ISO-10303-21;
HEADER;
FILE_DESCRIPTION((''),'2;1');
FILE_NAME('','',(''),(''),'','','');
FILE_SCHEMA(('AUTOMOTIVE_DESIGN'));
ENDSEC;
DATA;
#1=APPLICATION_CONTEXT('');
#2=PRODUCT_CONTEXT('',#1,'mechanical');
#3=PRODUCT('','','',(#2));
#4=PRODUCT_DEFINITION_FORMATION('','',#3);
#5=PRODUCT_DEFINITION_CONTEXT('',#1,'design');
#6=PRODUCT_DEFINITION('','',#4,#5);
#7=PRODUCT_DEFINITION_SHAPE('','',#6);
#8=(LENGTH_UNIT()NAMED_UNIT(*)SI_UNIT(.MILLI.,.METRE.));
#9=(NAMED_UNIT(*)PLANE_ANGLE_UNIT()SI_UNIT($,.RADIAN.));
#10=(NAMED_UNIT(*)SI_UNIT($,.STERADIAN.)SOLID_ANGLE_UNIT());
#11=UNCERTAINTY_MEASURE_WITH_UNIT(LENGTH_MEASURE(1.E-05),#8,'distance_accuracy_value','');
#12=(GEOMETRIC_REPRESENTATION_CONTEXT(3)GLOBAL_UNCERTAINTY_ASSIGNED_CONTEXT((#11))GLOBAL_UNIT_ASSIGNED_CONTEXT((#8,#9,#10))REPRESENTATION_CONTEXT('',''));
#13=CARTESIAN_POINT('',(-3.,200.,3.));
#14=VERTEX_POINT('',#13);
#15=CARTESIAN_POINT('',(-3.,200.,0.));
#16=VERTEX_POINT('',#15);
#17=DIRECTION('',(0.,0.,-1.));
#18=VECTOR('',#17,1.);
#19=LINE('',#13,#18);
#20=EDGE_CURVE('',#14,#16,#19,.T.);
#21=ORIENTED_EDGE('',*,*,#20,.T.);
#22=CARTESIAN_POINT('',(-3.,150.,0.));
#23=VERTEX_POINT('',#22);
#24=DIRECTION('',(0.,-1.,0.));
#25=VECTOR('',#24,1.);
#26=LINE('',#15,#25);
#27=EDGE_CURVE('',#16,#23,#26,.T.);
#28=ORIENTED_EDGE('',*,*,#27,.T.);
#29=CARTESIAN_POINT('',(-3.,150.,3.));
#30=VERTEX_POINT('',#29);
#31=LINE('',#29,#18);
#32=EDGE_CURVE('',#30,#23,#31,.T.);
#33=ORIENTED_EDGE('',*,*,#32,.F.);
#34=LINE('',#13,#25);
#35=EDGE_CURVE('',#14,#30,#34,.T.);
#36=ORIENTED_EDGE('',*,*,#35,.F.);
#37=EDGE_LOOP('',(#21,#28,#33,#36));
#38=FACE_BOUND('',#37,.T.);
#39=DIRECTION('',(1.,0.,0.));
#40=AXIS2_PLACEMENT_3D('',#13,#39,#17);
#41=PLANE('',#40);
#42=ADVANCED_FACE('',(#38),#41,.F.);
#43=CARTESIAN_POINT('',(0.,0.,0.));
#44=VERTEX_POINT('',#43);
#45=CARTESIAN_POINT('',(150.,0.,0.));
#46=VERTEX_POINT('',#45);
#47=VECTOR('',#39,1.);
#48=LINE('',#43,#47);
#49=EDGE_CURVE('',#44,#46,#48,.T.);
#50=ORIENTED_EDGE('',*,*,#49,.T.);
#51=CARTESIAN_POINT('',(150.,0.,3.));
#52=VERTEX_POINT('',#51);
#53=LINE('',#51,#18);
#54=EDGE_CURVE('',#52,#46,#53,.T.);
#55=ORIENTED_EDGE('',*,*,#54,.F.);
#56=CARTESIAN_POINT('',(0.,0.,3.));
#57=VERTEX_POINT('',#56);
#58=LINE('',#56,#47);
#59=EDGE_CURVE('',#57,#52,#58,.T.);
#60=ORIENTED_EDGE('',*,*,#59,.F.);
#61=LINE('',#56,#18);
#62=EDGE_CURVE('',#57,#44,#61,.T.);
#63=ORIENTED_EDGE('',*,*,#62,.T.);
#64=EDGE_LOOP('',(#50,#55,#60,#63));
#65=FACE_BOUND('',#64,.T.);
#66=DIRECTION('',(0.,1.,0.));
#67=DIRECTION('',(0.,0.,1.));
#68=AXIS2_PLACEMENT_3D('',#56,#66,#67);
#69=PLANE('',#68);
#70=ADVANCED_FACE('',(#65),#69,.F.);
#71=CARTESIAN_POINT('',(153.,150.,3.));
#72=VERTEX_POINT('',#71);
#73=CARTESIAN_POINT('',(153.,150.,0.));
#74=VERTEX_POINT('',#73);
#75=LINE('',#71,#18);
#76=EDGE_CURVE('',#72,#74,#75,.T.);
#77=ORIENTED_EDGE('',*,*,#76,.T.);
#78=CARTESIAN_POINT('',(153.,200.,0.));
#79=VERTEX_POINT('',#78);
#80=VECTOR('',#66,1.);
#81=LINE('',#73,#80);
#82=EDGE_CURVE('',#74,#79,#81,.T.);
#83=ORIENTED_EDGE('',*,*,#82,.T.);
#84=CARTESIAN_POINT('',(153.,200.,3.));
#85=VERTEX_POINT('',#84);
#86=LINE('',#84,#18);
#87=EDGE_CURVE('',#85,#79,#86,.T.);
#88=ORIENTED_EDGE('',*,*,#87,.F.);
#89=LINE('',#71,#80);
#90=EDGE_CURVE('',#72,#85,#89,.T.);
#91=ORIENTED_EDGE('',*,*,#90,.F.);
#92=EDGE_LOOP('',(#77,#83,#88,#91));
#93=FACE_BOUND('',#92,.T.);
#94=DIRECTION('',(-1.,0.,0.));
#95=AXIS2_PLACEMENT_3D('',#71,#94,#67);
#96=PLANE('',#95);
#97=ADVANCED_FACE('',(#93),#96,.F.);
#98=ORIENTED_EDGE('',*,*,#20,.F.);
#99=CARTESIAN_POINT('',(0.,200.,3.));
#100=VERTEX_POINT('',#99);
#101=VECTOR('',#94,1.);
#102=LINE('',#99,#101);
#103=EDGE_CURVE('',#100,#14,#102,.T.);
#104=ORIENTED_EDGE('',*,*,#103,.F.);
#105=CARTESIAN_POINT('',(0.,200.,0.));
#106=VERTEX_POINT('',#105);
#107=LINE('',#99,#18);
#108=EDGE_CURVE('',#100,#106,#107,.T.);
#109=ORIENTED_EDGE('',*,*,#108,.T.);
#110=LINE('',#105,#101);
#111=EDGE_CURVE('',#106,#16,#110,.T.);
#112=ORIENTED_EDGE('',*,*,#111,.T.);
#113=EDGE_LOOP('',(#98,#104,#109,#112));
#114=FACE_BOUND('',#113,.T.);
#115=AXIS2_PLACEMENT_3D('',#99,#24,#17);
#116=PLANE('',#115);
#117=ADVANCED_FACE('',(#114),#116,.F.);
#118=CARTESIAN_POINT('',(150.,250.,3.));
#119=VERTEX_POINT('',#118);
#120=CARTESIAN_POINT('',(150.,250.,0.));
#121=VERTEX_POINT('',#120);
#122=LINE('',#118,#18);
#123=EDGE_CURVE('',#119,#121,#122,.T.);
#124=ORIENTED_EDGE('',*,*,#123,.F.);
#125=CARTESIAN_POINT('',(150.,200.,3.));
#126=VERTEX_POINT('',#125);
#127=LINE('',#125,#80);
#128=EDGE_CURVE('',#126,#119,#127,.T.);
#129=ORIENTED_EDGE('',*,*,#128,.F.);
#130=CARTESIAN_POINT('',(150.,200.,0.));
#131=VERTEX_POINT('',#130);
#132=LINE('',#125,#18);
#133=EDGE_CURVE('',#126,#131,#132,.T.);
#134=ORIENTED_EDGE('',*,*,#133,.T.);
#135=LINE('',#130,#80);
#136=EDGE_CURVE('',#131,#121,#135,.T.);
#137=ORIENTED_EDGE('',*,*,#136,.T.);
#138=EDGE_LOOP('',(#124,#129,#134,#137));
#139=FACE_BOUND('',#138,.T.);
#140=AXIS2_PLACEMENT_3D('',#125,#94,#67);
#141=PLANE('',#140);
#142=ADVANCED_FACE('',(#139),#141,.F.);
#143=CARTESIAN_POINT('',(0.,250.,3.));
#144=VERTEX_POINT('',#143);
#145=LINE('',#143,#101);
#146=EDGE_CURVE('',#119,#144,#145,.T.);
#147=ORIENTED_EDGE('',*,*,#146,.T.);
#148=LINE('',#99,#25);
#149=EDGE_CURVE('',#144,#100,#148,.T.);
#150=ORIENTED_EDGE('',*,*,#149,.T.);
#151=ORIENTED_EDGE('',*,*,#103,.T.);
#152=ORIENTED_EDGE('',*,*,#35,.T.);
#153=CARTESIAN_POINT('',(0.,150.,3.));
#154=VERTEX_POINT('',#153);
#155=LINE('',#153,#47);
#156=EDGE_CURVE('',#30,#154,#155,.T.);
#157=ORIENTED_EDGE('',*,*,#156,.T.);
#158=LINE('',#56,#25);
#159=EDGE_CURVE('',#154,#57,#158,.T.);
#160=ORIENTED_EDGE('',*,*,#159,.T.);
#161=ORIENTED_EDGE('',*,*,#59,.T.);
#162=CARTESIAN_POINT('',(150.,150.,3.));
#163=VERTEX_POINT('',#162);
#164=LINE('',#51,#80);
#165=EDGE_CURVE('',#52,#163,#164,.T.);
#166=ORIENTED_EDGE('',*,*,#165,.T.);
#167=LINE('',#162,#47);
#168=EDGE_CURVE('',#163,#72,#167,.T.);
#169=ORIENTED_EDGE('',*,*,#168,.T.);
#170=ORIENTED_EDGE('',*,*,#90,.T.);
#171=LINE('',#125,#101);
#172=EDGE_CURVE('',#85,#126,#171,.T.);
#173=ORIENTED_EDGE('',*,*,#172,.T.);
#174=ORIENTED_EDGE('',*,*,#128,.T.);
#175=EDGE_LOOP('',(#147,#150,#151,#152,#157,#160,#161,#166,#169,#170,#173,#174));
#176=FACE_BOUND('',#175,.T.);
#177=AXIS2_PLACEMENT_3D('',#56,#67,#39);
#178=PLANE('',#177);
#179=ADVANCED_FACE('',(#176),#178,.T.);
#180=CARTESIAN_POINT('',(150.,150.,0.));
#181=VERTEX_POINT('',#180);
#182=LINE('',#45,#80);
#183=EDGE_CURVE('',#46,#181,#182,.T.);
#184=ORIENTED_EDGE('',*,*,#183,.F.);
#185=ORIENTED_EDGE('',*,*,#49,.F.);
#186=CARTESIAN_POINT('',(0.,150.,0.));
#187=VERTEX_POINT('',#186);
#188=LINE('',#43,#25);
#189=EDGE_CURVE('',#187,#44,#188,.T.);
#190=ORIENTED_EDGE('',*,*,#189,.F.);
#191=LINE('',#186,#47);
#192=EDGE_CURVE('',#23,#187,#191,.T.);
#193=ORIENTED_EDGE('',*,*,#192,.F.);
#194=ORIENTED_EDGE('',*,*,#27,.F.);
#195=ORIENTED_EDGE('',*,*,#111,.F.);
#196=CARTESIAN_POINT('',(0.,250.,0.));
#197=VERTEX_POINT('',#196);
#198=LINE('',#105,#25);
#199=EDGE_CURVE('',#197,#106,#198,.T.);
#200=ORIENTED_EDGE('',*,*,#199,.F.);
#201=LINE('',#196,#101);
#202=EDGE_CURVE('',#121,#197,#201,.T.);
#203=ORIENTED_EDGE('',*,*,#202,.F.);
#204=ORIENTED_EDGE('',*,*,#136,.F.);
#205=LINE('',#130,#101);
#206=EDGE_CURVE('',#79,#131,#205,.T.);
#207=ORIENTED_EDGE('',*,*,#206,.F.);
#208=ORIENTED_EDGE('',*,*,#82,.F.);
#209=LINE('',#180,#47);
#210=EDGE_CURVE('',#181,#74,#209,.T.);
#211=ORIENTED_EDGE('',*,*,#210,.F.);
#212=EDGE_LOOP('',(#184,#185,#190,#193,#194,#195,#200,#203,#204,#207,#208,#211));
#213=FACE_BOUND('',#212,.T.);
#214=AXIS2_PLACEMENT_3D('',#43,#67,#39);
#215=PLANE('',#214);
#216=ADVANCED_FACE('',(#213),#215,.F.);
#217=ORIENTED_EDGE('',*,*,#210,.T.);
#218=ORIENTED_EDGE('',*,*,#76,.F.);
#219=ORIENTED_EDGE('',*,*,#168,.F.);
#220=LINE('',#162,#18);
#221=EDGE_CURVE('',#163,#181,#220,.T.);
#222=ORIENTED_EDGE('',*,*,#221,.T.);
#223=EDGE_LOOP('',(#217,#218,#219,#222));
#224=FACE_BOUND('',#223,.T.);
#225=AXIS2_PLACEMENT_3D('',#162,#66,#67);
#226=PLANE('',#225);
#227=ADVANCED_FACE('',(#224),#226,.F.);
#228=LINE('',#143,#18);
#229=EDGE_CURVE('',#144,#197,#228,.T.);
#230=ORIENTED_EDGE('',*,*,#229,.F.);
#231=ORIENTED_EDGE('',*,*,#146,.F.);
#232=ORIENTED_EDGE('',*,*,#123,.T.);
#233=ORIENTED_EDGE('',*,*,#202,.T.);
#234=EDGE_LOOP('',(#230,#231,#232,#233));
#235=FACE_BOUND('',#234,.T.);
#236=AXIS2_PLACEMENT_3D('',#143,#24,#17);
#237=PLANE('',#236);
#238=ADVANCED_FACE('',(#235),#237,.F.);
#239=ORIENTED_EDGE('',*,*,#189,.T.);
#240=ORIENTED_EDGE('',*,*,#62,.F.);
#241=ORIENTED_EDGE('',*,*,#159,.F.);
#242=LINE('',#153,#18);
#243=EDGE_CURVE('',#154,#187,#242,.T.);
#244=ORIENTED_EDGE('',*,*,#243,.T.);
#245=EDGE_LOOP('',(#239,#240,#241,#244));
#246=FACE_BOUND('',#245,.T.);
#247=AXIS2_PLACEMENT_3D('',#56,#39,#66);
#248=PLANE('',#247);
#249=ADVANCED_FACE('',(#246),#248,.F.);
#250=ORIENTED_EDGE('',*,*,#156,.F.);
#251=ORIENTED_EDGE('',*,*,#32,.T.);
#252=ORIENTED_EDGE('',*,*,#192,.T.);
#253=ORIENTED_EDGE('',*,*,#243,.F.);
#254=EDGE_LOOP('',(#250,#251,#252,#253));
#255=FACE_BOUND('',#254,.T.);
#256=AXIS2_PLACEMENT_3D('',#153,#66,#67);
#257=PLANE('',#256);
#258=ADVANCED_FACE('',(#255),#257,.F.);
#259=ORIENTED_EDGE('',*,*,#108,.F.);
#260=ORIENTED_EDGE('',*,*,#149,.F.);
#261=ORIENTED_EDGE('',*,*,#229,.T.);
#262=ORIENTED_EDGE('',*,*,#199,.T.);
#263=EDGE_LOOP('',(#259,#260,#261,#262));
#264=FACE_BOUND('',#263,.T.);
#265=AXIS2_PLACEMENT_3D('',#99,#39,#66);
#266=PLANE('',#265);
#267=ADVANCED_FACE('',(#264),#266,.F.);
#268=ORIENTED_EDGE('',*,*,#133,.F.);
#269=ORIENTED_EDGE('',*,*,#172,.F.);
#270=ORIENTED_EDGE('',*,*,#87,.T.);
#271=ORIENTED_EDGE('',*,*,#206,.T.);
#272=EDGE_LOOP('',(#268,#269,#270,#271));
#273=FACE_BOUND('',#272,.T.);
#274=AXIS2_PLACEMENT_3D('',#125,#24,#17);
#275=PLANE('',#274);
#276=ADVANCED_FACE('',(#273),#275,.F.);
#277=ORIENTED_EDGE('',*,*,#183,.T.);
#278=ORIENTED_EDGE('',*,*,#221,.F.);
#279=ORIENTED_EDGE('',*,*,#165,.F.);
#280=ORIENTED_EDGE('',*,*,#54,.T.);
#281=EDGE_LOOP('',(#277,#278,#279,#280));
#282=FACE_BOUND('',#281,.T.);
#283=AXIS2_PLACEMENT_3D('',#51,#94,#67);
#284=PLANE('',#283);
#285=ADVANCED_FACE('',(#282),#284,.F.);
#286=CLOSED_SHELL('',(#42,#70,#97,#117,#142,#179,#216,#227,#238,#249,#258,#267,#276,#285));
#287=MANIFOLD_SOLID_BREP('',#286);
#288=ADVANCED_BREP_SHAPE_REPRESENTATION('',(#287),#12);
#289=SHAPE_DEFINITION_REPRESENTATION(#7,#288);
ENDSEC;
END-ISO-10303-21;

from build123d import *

# Parameters (mm, degrees)
SALIENTE_EXTRUIR1_DEPTH = 3


with BuildPart() as part:
    # Croquis1 → Saliente-Extruir1 (new body)
    with BuildSketch(Plane.XY):
        Polygon((0, 200), (0, 250), (150, 250), (150, 200), (153, 200), (153, 150), (150, 150), (150, 0), (0, 0), (0, 150), (-3, 150), (-3, 200), align=None)
    extrude(amount=SALIENTE_EXTRUIR1_DEPTH)


solid = part.part
